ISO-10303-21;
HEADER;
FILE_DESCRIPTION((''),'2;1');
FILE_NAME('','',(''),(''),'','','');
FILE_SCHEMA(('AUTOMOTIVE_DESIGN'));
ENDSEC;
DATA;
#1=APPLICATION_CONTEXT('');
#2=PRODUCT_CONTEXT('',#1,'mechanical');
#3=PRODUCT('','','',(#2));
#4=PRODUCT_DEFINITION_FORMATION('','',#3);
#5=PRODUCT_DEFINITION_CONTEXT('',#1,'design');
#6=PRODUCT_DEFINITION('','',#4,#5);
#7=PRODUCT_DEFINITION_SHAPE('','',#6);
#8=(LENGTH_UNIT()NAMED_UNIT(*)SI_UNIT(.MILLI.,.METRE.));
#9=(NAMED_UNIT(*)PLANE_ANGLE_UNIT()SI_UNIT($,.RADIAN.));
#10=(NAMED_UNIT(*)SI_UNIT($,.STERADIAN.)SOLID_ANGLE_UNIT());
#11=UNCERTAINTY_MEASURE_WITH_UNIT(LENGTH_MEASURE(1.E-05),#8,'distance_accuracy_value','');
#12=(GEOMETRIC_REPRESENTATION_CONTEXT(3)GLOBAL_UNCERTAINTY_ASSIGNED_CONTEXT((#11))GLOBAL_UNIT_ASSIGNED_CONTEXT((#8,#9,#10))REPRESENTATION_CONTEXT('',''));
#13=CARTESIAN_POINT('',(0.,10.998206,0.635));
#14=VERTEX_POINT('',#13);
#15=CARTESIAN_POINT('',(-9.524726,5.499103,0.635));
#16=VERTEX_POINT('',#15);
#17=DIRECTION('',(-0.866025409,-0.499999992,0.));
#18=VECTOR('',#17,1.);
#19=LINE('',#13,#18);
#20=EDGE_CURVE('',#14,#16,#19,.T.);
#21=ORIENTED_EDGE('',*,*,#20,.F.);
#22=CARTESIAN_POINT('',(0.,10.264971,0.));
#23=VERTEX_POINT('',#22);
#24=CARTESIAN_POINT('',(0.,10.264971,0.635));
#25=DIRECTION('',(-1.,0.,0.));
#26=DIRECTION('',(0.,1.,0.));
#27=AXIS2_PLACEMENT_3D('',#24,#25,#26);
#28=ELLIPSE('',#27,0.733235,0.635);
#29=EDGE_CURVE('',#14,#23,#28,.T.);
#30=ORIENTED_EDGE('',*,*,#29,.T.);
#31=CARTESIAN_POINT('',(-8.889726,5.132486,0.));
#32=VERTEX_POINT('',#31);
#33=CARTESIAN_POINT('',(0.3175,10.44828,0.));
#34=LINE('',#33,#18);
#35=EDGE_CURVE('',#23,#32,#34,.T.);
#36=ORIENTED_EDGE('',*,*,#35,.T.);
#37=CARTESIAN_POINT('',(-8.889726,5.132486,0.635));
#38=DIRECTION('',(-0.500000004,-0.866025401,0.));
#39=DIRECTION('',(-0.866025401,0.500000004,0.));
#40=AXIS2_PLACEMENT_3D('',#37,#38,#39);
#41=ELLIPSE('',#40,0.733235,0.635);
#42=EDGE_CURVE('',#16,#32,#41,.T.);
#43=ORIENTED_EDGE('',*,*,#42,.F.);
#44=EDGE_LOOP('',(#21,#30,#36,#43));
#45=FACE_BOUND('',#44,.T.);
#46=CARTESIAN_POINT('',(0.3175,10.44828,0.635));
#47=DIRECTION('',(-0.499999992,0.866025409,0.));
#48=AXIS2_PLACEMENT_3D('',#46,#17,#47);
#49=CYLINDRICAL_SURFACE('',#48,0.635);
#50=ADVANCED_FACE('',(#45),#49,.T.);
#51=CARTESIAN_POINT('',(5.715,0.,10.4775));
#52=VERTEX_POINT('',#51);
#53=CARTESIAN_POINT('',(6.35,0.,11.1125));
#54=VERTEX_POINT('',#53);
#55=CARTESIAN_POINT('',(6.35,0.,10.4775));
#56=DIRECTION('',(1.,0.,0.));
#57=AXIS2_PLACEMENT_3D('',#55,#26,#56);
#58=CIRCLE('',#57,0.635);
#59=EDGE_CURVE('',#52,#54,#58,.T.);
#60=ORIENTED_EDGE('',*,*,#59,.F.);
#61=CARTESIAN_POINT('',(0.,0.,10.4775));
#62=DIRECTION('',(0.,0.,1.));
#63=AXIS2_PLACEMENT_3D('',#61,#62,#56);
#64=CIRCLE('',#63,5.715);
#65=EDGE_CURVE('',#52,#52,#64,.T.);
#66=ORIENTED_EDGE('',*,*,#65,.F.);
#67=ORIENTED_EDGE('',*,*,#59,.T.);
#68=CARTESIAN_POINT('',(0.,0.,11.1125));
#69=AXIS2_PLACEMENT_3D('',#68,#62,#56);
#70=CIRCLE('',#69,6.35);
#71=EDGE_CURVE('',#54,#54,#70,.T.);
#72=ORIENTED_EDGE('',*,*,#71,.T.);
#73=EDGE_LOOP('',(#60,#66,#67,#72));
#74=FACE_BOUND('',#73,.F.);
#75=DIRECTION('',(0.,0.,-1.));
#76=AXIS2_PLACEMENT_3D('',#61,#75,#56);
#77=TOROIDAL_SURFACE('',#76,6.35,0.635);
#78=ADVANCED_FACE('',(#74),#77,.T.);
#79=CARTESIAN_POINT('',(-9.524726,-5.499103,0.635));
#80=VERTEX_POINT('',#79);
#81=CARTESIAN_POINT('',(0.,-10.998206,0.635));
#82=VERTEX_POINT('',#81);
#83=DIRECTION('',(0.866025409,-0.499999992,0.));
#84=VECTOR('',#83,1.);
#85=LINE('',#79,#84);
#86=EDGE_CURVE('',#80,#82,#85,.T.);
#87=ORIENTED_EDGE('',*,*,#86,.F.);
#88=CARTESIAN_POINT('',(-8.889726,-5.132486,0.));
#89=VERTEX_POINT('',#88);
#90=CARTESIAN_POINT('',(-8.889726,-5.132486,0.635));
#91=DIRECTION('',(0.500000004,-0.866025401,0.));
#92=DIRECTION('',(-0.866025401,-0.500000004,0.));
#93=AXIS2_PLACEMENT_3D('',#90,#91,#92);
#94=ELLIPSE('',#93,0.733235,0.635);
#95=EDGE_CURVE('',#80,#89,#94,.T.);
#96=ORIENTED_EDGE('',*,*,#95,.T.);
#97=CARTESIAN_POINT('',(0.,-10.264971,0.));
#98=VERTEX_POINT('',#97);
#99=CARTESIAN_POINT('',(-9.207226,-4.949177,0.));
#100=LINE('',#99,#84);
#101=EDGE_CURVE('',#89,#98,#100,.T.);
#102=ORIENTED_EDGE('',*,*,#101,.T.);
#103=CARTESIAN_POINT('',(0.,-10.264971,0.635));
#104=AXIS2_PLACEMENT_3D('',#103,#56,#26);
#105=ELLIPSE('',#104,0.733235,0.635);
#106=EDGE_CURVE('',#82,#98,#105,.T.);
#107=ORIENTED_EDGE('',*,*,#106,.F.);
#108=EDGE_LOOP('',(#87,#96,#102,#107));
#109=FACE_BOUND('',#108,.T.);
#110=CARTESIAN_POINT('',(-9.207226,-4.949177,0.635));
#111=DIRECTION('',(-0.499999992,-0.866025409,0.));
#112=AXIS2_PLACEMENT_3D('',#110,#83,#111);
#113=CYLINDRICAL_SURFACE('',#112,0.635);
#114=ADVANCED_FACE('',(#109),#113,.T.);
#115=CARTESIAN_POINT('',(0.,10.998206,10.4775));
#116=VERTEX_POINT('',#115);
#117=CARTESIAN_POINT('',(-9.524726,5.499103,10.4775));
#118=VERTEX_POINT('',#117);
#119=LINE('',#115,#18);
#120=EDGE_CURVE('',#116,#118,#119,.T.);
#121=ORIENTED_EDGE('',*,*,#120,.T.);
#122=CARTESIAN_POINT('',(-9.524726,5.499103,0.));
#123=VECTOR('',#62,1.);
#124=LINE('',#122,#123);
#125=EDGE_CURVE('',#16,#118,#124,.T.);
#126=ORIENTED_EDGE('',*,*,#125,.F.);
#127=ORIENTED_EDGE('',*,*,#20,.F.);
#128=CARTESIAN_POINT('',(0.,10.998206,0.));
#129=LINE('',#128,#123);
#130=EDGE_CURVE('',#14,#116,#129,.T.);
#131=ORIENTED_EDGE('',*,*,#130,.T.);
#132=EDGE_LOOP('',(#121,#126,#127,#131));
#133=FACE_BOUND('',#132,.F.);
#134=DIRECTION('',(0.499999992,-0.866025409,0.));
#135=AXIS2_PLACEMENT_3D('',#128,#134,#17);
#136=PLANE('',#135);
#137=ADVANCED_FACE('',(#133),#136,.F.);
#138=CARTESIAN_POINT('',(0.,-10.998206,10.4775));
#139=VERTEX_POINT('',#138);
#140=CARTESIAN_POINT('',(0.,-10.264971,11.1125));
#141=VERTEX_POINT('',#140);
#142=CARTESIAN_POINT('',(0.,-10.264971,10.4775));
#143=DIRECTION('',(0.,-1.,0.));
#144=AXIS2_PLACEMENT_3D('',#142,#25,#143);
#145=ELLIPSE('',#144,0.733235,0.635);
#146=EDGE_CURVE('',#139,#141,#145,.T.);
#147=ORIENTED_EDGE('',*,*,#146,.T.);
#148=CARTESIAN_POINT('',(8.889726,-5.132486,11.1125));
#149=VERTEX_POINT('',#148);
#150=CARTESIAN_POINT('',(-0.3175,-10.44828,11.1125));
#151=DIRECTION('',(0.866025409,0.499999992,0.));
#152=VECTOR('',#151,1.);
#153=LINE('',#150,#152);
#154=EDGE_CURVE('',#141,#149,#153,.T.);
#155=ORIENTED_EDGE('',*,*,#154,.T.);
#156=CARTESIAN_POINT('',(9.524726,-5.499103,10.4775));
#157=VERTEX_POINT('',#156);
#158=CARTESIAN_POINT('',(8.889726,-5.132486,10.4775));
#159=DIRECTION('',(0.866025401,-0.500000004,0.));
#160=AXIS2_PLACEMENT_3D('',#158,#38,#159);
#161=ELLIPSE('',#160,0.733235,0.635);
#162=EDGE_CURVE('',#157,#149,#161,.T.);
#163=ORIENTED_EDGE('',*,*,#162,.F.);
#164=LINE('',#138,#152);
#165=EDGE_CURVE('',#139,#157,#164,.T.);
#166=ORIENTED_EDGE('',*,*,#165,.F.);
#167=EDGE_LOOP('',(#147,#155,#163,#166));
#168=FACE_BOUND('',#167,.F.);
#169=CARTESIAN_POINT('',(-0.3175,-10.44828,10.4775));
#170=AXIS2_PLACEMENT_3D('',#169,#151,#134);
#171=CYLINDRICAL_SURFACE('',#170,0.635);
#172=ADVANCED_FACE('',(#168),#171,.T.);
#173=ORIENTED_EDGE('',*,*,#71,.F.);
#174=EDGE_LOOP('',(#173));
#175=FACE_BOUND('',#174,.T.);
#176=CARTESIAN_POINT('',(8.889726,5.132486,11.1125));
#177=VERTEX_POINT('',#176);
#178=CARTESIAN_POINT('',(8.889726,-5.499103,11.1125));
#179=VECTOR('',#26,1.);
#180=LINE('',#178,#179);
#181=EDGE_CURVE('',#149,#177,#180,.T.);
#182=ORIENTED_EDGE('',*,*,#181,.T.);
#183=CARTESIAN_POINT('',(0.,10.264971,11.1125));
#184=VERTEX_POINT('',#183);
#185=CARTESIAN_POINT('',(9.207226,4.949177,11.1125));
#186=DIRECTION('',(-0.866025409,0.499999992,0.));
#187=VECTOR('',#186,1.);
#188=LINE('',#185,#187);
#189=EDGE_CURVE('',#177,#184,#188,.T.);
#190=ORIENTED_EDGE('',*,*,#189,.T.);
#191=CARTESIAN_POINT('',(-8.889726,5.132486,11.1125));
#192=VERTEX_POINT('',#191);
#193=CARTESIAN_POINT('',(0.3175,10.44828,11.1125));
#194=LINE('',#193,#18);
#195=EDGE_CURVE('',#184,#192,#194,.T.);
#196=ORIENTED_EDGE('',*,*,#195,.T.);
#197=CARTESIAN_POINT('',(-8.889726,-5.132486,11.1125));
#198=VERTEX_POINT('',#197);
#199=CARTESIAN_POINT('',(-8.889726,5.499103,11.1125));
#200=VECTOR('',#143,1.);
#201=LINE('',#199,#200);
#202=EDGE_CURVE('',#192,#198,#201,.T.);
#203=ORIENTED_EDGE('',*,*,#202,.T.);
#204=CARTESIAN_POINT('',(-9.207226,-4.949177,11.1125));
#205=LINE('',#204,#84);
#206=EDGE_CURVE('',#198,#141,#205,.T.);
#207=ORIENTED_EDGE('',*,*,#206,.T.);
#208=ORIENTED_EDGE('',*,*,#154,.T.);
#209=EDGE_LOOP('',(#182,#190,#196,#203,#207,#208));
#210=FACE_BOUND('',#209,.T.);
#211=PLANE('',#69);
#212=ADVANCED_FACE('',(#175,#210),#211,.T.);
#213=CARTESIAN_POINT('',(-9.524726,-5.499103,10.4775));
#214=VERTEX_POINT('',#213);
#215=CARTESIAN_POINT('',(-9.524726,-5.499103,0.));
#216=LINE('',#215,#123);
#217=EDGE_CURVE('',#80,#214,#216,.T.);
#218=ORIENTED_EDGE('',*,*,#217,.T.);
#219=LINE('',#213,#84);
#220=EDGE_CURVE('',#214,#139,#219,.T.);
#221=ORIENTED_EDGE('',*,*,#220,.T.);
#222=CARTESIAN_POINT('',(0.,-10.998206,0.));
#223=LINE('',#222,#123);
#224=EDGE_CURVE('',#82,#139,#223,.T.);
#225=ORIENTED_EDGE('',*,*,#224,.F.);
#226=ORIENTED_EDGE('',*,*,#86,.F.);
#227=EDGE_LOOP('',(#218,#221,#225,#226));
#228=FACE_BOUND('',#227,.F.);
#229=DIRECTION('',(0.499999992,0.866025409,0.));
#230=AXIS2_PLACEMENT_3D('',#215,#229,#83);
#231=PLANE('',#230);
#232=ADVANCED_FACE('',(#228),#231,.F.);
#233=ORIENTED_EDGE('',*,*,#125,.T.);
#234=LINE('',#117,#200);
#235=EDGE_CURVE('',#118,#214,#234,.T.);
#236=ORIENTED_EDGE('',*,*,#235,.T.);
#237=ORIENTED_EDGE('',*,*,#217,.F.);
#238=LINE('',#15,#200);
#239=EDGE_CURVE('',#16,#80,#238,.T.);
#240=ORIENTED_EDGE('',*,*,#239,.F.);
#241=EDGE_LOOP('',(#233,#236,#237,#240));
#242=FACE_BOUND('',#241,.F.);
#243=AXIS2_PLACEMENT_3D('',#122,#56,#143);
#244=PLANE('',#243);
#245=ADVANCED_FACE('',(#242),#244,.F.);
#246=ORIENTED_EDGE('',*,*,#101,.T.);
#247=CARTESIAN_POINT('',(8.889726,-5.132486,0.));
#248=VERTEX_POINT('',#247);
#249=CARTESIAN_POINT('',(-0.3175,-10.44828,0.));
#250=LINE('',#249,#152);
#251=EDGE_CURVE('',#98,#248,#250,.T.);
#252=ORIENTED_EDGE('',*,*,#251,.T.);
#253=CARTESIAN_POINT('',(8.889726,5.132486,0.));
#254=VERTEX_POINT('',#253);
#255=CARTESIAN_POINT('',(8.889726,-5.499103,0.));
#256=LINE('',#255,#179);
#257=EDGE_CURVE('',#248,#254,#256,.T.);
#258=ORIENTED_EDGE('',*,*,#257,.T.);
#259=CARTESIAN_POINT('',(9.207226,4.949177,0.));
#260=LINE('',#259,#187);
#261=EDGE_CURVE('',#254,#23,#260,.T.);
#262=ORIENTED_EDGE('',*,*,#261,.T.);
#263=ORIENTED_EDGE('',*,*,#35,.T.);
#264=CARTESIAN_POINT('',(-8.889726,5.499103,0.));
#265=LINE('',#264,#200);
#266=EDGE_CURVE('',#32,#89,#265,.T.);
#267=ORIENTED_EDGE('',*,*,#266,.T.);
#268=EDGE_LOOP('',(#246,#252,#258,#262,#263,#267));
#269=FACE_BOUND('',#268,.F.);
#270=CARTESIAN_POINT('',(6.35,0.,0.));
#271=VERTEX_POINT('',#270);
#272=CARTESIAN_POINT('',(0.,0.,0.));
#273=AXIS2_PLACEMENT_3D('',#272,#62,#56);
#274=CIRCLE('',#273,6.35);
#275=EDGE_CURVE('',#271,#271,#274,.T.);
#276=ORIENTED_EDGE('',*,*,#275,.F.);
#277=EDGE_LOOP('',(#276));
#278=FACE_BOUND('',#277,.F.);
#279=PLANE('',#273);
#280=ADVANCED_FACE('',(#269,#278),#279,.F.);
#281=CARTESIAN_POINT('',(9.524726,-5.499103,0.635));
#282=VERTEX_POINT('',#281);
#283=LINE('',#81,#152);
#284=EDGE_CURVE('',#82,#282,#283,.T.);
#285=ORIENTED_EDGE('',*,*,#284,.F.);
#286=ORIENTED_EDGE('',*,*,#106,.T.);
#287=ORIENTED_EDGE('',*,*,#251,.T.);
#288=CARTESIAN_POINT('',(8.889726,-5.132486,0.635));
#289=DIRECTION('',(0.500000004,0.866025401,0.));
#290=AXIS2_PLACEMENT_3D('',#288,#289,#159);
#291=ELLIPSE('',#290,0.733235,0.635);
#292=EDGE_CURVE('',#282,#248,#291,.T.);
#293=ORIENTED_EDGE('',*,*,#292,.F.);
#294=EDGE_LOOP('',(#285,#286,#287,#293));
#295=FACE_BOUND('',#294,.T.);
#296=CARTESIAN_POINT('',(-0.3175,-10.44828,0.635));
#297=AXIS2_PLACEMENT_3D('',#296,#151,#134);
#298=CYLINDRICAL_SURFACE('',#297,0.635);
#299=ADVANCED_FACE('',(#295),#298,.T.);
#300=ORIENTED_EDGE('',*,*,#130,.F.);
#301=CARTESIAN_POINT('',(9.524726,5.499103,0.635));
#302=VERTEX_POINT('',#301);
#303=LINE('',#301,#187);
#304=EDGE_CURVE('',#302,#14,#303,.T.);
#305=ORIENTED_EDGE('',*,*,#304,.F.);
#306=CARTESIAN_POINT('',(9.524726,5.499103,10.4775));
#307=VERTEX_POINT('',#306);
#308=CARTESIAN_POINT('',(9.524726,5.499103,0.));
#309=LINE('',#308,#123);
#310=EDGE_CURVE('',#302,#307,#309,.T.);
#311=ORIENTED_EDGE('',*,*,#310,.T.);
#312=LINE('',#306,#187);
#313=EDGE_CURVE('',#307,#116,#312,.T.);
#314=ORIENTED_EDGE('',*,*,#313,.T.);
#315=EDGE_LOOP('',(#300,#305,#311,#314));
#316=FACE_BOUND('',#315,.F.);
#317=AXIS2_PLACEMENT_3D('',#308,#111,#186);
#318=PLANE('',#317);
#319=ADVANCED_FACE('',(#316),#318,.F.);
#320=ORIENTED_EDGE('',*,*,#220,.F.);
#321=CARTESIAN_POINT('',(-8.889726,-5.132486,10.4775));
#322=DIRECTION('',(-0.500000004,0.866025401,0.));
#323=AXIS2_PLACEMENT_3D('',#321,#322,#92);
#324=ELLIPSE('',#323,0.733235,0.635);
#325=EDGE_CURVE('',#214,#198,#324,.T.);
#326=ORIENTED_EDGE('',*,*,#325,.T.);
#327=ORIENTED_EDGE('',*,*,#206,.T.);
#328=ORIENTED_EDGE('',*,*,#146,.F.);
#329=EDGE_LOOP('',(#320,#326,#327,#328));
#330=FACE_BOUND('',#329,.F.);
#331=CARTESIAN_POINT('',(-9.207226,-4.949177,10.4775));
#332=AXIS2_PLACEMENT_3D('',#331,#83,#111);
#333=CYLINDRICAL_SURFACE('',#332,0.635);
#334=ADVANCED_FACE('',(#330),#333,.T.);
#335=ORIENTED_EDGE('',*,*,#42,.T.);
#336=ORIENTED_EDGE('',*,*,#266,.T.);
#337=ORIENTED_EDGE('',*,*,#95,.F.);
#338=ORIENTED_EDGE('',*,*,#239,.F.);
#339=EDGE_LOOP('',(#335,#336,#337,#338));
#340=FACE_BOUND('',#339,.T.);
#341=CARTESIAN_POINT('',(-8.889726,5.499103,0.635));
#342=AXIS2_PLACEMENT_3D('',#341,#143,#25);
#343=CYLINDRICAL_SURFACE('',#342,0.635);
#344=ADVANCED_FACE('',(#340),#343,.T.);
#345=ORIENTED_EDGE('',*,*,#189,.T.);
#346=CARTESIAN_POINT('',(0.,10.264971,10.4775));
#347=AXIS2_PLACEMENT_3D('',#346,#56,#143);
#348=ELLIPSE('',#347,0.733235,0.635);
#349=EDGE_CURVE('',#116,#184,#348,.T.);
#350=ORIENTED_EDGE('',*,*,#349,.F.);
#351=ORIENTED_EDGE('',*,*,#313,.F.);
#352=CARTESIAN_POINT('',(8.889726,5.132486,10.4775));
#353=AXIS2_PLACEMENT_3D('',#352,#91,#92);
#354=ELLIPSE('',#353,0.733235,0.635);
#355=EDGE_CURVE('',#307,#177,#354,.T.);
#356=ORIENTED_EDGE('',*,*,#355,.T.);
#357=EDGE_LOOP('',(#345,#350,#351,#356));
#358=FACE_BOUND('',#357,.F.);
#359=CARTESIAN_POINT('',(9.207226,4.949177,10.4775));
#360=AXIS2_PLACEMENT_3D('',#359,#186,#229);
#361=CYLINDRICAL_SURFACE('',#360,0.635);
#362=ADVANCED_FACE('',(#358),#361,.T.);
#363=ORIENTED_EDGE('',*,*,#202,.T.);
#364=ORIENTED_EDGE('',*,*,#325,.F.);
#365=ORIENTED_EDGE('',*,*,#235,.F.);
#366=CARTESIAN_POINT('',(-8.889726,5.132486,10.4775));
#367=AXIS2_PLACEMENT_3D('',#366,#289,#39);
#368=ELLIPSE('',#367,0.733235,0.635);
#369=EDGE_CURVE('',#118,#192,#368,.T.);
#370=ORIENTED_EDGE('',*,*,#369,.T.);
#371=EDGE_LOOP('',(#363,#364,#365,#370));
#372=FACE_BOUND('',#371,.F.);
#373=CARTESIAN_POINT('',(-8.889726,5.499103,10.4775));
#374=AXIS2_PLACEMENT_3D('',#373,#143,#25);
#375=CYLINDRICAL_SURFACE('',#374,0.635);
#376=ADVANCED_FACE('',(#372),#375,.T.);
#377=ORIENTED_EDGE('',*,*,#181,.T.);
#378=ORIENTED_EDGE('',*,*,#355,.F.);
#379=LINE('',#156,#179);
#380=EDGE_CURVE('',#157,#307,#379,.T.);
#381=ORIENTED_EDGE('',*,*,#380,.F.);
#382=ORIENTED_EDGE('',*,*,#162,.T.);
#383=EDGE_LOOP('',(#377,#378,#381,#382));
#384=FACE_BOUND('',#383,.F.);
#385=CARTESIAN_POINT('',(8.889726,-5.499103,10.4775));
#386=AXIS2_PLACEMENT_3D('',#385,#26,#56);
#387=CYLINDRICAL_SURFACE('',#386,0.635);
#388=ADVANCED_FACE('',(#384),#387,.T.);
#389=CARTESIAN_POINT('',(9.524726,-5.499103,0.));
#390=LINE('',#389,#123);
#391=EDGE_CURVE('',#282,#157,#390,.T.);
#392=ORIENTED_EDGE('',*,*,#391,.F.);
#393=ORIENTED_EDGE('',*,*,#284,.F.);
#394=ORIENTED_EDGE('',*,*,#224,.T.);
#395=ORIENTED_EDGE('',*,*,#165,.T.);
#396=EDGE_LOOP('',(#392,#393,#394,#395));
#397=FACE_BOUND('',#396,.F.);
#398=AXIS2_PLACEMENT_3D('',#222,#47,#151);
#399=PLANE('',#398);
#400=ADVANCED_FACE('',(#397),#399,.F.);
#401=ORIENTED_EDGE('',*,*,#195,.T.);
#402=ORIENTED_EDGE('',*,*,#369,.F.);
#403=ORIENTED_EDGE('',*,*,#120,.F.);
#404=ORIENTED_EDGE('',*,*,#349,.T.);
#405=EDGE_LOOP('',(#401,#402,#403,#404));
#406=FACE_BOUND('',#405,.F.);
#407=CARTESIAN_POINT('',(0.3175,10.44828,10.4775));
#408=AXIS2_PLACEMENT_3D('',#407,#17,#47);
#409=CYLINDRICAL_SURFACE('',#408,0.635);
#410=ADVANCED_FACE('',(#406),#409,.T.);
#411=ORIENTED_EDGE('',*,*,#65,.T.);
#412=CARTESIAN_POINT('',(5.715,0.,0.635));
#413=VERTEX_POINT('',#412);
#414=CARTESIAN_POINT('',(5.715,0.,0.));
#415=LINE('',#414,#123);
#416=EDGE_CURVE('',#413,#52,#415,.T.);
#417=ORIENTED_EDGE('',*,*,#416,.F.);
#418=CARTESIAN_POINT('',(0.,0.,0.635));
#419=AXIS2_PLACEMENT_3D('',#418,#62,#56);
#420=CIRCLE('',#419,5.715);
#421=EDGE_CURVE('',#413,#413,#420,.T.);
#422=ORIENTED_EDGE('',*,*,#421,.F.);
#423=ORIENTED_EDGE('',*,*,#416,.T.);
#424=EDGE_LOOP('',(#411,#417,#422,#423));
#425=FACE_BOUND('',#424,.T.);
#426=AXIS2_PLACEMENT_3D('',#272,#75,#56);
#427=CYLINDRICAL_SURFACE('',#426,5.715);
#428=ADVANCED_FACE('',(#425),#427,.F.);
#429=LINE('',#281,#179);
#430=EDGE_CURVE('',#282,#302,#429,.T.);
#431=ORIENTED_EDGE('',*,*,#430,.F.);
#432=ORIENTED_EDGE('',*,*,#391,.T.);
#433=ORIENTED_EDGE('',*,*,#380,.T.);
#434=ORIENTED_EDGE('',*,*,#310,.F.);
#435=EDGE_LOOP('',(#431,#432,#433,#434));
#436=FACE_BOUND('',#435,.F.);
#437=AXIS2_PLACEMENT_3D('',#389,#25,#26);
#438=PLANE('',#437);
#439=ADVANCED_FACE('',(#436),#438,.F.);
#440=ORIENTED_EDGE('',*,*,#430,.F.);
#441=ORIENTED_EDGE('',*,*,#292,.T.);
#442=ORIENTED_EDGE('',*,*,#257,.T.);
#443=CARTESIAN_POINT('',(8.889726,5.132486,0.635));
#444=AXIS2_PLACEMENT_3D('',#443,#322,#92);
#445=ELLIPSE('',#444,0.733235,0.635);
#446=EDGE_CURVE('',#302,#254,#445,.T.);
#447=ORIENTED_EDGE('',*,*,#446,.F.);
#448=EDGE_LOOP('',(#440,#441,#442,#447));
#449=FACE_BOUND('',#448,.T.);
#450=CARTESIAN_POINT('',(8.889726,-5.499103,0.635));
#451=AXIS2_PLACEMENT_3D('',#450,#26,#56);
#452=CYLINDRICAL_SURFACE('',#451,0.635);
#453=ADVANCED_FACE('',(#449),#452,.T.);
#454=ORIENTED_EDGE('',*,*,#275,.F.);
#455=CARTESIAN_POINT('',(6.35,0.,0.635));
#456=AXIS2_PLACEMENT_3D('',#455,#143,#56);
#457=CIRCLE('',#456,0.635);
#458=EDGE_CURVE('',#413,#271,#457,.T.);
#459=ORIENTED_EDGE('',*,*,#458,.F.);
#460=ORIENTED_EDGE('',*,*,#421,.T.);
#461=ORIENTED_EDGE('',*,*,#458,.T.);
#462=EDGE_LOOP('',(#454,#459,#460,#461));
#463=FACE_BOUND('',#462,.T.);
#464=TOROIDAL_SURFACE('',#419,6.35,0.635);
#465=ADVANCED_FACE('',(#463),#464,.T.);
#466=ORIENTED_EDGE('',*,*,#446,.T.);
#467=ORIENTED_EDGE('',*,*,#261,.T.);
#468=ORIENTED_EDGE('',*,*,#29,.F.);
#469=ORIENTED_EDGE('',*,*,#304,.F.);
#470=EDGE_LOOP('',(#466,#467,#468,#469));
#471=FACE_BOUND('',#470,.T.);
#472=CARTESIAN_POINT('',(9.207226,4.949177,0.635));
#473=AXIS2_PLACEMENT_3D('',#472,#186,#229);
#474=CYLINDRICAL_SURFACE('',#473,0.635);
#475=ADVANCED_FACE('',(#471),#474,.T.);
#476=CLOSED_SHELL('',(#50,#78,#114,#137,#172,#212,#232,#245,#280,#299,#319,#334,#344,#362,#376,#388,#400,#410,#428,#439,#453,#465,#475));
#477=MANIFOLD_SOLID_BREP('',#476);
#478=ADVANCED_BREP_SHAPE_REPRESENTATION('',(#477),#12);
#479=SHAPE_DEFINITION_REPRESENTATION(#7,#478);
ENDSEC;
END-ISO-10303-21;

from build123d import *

# Parameters (mm, degrees)
F0_R     = 5.715
F1_DEPTH = 11.1125
F2_R     = 0.635


with BuildPart() as f1:
    # F0 (on Top) → F1 (new body)
    with BuildSketch(Plane.XY):
        Polygon((9.524726, -5.499103), (9.524726, 5.499103), (0, 10.998206), (-9.524726, 5.499103), (-9.524726, -5.499103), (0, -10.998206), align=None)
        Circle(F0_R, mode=Mode.SUBTRACT)
    extrude(amount=F1_DEPTH)

    # F2
    f2_edges = [f1.edges().sort_by_distance(p)[0] for p in [
        (-5.715, 0, 11.1125),
        (-5.715, 0, 0),
        (-4.762363, 8.248655, 11.1125),
        (4.762363, 8.248655, 11.1125),
        (-9.524726, 0, 11.1125),
        (-4.762363, -8.248655, 11.1125),
        (4.762363, -8.248655, 11.1125),
        (9.524726, 0, 11.1125),
        (4.762363, 8.248655, 0),
        (-4.762363, 8.248655, 0),
        (-9.524726, 0, 0),
        (4.762363, -8.248655, 0),
        (-4.762363, -8.248655, 0),
        (9.524726, 0, 0),
    ]]
    fillet(f2_edges, radius=F2_R)


solid = f1.part
